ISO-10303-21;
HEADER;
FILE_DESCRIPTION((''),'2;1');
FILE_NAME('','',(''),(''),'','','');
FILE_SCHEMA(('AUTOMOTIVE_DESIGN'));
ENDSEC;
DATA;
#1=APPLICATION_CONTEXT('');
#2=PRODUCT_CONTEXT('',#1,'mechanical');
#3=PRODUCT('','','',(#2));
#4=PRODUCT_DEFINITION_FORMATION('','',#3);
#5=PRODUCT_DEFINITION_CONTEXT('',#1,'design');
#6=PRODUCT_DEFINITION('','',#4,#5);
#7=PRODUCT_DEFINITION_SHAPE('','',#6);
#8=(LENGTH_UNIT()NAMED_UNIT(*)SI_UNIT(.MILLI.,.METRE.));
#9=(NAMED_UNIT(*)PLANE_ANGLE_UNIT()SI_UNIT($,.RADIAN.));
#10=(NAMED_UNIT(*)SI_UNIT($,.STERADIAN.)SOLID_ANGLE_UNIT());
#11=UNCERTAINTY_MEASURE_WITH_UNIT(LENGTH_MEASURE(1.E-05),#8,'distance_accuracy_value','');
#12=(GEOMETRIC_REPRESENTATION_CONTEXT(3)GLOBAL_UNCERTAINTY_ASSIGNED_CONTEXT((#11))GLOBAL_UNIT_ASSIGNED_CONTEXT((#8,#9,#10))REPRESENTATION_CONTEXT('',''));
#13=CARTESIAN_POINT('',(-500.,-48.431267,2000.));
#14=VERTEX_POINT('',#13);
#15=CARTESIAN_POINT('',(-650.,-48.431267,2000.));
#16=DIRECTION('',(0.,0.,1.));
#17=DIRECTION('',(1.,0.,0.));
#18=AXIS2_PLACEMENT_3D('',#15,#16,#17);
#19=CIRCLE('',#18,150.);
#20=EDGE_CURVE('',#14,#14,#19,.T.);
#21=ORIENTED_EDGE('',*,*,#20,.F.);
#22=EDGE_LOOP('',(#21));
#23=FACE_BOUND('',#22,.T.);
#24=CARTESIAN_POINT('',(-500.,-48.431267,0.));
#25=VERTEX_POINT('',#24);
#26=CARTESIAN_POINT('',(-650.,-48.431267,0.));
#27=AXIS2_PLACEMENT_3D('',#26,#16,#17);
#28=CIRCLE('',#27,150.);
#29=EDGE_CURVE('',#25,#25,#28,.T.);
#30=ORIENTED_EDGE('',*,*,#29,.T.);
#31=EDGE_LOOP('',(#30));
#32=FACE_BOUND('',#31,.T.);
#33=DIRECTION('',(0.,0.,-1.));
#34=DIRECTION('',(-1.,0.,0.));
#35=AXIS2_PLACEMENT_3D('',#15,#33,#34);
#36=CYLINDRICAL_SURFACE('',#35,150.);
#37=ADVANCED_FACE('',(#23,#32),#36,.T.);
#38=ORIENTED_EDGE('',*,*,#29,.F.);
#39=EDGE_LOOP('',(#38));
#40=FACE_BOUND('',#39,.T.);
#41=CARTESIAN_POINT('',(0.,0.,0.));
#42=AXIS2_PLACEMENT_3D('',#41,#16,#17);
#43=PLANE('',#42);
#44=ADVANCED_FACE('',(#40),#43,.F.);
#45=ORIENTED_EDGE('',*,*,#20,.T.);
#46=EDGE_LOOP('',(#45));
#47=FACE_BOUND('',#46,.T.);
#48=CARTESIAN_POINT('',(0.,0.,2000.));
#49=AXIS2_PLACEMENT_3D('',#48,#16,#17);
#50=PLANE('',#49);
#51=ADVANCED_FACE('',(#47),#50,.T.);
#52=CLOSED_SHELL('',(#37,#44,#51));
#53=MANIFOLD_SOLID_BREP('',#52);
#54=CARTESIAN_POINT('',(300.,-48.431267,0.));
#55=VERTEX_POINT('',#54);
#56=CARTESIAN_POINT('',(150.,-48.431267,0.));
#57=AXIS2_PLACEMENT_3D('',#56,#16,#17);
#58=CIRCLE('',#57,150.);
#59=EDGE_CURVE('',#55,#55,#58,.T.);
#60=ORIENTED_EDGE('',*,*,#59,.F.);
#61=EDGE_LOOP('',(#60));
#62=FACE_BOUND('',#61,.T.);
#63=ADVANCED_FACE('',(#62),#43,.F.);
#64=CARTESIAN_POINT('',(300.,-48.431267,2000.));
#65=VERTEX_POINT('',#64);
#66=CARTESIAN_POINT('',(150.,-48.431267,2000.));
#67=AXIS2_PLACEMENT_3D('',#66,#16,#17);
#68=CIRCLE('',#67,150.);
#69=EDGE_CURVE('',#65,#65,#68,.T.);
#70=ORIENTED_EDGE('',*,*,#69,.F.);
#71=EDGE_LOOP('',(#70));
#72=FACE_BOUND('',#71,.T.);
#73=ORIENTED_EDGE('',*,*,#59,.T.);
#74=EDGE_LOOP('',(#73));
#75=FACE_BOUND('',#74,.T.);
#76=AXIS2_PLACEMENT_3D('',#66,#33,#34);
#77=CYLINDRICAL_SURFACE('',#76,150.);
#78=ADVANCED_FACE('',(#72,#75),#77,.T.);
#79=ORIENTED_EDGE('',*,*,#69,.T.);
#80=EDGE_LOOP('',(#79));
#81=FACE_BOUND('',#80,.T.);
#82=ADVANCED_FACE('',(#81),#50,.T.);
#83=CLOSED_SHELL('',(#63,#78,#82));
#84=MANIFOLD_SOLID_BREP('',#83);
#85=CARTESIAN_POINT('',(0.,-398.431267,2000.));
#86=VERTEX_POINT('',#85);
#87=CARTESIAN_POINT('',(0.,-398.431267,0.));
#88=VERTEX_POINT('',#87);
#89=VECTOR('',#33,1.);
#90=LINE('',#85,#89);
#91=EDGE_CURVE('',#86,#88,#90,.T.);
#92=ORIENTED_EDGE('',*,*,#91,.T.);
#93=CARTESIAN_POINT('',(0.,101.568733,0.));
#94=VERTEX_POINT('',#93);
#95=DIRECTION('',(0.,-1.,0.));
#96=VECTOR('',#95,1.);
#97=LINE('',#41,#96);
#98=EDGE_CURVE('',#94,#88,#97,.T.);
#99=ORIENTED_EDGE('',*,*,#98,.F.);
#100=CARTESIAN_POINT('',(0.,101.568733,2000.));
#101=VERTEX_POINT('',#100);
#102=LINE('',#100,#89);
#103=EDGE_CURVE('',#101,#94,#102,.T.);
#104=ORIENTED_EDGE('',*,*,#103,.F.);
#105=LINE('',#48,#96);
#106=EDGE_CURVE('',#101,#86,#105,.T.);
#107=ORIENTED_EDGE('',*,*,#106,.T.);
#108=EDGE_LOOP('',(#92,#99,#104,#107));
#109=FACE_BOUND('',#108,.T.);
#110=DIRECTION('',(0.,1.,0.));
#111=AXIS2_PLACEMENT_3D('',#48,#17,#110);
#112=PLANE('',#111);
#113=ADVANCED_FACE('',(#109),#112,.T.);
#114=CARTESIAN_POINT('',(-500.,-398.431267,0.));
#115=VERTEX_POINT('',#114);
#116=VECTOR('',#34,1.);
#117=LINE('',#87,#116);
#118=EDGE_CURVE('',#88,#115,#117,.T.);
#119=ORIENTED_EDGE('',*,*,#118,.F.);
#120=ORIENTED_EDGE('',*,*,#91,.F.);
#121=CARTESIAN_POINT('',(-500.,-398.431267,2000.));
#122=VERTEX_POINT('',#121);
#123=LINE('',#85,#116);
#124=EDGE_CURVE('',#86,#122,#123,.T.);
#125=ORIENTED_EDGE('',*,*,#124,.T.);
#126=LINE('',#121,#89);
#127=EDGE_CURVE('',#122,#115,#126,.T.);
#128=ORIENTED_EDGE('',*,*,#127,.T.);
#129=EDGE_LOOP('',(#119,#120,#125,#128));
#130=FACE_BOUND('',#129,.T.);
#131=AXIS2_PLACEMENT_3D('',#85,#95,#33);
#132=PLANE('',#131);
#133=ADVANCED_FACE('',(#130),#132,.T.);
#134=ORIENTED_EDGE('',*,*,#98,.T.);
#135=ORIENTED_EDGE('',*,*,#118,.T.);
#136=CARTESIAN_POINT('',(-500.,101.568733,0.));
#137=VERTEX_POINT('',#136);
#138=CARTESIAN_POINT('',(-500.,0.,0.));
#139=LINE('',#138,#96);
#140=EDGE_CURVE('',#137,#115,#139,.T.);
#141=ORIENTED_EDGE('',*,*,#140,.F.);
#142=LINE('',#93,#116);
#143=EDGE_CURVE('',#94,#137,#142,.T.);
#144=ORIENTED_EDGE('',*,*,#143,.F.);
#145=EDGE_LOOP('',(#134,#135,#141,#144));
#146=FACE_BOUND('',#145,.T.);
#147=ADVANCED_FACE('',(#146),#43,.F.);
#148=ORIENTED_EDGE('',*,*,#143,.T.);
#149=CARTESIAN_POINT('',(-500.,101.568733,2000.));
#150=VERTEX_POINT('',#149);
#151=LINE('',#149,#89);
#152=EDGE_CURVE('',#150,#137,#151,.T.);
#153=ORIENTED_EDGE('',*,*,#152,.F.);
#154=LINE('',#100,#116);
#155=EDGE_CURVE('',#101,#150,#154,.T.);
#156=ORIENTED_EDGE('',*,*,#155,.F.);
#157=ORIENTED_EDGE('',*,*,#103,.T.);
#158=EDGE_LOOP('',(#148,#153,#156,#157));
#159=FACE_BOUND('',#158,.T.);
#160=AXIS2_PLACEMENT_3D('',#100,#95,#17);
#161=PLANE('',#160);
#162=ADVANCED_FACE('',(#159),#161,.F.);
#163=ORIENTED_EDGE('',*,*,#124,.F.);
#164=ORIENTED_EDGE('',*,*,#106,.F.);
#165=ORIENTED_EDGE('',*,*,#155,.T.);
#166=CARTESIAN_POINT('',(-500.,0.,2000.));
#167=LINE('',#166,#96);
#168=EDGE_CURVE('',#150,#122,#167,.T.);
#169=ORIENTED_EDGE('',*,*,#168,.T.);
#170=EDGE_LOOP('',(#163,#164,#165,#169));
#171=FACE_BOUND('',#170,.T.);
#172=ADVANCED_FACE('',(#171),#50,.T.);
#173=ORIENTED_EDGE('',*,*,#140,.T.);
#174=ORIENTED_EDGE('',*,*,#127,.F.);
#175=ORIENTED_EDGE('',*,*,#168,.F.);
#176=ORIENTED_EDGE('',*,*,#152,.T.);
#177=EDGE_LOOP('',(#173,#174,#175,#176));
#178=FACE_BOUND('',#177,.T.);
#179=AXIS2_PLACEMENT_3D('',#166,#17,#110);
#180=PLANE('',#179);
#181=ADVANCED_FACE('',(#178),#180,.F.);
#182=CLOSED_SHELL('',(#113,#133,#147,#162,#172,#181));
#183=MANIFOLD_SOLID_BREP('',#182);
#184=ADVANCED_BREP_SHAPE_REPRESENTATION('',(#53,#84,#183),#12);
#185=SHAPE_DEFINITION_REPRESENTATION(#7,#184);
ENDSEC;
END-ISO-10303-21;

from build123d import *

# Parameters (mm, degrees)
BOSS_EXTRUDE2_DEPTH   = 2000
SKETCH1_R             = 150
BOSS_EXTRUDE2_2_DEPTH = 2000
BOSS_EXTRUDE2_3_DEPTH = 2000


with BuildPart() as part:
    # Sketch1 → Boss-Extrude2 (new body)
    with BuildSketch(Plane.XY):
        Polygon((0, -48.431267813), (0, 101.56873269), (-500, 101.56873269), (-500, -48.43126731), (-500, -398.43126731), (0, -398.43126731), align=None)
    extrude(amount=BOSS_EXTRUDE2_DEPTH)


with BuildPart() as body_2:
    # Sketch1 → Boss-Extrude2 2 (new body)
    with BuildSketch(Plane.XY):
        with Locations((150, -48.43126731)):
            Circle(SKETCH1_R)
    extrude(amount=BOSS_EXTRUDE2_2_DEPTH)


with BuildPart() as body_3:
    # Sketch1 → Boss-Extrude2 3 (new body)
    with BuildSketch(Plane.XY):
        with Locations((-650, -48.43126731)):
            Circle(SKETCH1_R)
    extrude(amount=BOSS_EXTRUDE2_3_DEPTH)


solid = Compound([part.part, body_2.part, body_3.part])
